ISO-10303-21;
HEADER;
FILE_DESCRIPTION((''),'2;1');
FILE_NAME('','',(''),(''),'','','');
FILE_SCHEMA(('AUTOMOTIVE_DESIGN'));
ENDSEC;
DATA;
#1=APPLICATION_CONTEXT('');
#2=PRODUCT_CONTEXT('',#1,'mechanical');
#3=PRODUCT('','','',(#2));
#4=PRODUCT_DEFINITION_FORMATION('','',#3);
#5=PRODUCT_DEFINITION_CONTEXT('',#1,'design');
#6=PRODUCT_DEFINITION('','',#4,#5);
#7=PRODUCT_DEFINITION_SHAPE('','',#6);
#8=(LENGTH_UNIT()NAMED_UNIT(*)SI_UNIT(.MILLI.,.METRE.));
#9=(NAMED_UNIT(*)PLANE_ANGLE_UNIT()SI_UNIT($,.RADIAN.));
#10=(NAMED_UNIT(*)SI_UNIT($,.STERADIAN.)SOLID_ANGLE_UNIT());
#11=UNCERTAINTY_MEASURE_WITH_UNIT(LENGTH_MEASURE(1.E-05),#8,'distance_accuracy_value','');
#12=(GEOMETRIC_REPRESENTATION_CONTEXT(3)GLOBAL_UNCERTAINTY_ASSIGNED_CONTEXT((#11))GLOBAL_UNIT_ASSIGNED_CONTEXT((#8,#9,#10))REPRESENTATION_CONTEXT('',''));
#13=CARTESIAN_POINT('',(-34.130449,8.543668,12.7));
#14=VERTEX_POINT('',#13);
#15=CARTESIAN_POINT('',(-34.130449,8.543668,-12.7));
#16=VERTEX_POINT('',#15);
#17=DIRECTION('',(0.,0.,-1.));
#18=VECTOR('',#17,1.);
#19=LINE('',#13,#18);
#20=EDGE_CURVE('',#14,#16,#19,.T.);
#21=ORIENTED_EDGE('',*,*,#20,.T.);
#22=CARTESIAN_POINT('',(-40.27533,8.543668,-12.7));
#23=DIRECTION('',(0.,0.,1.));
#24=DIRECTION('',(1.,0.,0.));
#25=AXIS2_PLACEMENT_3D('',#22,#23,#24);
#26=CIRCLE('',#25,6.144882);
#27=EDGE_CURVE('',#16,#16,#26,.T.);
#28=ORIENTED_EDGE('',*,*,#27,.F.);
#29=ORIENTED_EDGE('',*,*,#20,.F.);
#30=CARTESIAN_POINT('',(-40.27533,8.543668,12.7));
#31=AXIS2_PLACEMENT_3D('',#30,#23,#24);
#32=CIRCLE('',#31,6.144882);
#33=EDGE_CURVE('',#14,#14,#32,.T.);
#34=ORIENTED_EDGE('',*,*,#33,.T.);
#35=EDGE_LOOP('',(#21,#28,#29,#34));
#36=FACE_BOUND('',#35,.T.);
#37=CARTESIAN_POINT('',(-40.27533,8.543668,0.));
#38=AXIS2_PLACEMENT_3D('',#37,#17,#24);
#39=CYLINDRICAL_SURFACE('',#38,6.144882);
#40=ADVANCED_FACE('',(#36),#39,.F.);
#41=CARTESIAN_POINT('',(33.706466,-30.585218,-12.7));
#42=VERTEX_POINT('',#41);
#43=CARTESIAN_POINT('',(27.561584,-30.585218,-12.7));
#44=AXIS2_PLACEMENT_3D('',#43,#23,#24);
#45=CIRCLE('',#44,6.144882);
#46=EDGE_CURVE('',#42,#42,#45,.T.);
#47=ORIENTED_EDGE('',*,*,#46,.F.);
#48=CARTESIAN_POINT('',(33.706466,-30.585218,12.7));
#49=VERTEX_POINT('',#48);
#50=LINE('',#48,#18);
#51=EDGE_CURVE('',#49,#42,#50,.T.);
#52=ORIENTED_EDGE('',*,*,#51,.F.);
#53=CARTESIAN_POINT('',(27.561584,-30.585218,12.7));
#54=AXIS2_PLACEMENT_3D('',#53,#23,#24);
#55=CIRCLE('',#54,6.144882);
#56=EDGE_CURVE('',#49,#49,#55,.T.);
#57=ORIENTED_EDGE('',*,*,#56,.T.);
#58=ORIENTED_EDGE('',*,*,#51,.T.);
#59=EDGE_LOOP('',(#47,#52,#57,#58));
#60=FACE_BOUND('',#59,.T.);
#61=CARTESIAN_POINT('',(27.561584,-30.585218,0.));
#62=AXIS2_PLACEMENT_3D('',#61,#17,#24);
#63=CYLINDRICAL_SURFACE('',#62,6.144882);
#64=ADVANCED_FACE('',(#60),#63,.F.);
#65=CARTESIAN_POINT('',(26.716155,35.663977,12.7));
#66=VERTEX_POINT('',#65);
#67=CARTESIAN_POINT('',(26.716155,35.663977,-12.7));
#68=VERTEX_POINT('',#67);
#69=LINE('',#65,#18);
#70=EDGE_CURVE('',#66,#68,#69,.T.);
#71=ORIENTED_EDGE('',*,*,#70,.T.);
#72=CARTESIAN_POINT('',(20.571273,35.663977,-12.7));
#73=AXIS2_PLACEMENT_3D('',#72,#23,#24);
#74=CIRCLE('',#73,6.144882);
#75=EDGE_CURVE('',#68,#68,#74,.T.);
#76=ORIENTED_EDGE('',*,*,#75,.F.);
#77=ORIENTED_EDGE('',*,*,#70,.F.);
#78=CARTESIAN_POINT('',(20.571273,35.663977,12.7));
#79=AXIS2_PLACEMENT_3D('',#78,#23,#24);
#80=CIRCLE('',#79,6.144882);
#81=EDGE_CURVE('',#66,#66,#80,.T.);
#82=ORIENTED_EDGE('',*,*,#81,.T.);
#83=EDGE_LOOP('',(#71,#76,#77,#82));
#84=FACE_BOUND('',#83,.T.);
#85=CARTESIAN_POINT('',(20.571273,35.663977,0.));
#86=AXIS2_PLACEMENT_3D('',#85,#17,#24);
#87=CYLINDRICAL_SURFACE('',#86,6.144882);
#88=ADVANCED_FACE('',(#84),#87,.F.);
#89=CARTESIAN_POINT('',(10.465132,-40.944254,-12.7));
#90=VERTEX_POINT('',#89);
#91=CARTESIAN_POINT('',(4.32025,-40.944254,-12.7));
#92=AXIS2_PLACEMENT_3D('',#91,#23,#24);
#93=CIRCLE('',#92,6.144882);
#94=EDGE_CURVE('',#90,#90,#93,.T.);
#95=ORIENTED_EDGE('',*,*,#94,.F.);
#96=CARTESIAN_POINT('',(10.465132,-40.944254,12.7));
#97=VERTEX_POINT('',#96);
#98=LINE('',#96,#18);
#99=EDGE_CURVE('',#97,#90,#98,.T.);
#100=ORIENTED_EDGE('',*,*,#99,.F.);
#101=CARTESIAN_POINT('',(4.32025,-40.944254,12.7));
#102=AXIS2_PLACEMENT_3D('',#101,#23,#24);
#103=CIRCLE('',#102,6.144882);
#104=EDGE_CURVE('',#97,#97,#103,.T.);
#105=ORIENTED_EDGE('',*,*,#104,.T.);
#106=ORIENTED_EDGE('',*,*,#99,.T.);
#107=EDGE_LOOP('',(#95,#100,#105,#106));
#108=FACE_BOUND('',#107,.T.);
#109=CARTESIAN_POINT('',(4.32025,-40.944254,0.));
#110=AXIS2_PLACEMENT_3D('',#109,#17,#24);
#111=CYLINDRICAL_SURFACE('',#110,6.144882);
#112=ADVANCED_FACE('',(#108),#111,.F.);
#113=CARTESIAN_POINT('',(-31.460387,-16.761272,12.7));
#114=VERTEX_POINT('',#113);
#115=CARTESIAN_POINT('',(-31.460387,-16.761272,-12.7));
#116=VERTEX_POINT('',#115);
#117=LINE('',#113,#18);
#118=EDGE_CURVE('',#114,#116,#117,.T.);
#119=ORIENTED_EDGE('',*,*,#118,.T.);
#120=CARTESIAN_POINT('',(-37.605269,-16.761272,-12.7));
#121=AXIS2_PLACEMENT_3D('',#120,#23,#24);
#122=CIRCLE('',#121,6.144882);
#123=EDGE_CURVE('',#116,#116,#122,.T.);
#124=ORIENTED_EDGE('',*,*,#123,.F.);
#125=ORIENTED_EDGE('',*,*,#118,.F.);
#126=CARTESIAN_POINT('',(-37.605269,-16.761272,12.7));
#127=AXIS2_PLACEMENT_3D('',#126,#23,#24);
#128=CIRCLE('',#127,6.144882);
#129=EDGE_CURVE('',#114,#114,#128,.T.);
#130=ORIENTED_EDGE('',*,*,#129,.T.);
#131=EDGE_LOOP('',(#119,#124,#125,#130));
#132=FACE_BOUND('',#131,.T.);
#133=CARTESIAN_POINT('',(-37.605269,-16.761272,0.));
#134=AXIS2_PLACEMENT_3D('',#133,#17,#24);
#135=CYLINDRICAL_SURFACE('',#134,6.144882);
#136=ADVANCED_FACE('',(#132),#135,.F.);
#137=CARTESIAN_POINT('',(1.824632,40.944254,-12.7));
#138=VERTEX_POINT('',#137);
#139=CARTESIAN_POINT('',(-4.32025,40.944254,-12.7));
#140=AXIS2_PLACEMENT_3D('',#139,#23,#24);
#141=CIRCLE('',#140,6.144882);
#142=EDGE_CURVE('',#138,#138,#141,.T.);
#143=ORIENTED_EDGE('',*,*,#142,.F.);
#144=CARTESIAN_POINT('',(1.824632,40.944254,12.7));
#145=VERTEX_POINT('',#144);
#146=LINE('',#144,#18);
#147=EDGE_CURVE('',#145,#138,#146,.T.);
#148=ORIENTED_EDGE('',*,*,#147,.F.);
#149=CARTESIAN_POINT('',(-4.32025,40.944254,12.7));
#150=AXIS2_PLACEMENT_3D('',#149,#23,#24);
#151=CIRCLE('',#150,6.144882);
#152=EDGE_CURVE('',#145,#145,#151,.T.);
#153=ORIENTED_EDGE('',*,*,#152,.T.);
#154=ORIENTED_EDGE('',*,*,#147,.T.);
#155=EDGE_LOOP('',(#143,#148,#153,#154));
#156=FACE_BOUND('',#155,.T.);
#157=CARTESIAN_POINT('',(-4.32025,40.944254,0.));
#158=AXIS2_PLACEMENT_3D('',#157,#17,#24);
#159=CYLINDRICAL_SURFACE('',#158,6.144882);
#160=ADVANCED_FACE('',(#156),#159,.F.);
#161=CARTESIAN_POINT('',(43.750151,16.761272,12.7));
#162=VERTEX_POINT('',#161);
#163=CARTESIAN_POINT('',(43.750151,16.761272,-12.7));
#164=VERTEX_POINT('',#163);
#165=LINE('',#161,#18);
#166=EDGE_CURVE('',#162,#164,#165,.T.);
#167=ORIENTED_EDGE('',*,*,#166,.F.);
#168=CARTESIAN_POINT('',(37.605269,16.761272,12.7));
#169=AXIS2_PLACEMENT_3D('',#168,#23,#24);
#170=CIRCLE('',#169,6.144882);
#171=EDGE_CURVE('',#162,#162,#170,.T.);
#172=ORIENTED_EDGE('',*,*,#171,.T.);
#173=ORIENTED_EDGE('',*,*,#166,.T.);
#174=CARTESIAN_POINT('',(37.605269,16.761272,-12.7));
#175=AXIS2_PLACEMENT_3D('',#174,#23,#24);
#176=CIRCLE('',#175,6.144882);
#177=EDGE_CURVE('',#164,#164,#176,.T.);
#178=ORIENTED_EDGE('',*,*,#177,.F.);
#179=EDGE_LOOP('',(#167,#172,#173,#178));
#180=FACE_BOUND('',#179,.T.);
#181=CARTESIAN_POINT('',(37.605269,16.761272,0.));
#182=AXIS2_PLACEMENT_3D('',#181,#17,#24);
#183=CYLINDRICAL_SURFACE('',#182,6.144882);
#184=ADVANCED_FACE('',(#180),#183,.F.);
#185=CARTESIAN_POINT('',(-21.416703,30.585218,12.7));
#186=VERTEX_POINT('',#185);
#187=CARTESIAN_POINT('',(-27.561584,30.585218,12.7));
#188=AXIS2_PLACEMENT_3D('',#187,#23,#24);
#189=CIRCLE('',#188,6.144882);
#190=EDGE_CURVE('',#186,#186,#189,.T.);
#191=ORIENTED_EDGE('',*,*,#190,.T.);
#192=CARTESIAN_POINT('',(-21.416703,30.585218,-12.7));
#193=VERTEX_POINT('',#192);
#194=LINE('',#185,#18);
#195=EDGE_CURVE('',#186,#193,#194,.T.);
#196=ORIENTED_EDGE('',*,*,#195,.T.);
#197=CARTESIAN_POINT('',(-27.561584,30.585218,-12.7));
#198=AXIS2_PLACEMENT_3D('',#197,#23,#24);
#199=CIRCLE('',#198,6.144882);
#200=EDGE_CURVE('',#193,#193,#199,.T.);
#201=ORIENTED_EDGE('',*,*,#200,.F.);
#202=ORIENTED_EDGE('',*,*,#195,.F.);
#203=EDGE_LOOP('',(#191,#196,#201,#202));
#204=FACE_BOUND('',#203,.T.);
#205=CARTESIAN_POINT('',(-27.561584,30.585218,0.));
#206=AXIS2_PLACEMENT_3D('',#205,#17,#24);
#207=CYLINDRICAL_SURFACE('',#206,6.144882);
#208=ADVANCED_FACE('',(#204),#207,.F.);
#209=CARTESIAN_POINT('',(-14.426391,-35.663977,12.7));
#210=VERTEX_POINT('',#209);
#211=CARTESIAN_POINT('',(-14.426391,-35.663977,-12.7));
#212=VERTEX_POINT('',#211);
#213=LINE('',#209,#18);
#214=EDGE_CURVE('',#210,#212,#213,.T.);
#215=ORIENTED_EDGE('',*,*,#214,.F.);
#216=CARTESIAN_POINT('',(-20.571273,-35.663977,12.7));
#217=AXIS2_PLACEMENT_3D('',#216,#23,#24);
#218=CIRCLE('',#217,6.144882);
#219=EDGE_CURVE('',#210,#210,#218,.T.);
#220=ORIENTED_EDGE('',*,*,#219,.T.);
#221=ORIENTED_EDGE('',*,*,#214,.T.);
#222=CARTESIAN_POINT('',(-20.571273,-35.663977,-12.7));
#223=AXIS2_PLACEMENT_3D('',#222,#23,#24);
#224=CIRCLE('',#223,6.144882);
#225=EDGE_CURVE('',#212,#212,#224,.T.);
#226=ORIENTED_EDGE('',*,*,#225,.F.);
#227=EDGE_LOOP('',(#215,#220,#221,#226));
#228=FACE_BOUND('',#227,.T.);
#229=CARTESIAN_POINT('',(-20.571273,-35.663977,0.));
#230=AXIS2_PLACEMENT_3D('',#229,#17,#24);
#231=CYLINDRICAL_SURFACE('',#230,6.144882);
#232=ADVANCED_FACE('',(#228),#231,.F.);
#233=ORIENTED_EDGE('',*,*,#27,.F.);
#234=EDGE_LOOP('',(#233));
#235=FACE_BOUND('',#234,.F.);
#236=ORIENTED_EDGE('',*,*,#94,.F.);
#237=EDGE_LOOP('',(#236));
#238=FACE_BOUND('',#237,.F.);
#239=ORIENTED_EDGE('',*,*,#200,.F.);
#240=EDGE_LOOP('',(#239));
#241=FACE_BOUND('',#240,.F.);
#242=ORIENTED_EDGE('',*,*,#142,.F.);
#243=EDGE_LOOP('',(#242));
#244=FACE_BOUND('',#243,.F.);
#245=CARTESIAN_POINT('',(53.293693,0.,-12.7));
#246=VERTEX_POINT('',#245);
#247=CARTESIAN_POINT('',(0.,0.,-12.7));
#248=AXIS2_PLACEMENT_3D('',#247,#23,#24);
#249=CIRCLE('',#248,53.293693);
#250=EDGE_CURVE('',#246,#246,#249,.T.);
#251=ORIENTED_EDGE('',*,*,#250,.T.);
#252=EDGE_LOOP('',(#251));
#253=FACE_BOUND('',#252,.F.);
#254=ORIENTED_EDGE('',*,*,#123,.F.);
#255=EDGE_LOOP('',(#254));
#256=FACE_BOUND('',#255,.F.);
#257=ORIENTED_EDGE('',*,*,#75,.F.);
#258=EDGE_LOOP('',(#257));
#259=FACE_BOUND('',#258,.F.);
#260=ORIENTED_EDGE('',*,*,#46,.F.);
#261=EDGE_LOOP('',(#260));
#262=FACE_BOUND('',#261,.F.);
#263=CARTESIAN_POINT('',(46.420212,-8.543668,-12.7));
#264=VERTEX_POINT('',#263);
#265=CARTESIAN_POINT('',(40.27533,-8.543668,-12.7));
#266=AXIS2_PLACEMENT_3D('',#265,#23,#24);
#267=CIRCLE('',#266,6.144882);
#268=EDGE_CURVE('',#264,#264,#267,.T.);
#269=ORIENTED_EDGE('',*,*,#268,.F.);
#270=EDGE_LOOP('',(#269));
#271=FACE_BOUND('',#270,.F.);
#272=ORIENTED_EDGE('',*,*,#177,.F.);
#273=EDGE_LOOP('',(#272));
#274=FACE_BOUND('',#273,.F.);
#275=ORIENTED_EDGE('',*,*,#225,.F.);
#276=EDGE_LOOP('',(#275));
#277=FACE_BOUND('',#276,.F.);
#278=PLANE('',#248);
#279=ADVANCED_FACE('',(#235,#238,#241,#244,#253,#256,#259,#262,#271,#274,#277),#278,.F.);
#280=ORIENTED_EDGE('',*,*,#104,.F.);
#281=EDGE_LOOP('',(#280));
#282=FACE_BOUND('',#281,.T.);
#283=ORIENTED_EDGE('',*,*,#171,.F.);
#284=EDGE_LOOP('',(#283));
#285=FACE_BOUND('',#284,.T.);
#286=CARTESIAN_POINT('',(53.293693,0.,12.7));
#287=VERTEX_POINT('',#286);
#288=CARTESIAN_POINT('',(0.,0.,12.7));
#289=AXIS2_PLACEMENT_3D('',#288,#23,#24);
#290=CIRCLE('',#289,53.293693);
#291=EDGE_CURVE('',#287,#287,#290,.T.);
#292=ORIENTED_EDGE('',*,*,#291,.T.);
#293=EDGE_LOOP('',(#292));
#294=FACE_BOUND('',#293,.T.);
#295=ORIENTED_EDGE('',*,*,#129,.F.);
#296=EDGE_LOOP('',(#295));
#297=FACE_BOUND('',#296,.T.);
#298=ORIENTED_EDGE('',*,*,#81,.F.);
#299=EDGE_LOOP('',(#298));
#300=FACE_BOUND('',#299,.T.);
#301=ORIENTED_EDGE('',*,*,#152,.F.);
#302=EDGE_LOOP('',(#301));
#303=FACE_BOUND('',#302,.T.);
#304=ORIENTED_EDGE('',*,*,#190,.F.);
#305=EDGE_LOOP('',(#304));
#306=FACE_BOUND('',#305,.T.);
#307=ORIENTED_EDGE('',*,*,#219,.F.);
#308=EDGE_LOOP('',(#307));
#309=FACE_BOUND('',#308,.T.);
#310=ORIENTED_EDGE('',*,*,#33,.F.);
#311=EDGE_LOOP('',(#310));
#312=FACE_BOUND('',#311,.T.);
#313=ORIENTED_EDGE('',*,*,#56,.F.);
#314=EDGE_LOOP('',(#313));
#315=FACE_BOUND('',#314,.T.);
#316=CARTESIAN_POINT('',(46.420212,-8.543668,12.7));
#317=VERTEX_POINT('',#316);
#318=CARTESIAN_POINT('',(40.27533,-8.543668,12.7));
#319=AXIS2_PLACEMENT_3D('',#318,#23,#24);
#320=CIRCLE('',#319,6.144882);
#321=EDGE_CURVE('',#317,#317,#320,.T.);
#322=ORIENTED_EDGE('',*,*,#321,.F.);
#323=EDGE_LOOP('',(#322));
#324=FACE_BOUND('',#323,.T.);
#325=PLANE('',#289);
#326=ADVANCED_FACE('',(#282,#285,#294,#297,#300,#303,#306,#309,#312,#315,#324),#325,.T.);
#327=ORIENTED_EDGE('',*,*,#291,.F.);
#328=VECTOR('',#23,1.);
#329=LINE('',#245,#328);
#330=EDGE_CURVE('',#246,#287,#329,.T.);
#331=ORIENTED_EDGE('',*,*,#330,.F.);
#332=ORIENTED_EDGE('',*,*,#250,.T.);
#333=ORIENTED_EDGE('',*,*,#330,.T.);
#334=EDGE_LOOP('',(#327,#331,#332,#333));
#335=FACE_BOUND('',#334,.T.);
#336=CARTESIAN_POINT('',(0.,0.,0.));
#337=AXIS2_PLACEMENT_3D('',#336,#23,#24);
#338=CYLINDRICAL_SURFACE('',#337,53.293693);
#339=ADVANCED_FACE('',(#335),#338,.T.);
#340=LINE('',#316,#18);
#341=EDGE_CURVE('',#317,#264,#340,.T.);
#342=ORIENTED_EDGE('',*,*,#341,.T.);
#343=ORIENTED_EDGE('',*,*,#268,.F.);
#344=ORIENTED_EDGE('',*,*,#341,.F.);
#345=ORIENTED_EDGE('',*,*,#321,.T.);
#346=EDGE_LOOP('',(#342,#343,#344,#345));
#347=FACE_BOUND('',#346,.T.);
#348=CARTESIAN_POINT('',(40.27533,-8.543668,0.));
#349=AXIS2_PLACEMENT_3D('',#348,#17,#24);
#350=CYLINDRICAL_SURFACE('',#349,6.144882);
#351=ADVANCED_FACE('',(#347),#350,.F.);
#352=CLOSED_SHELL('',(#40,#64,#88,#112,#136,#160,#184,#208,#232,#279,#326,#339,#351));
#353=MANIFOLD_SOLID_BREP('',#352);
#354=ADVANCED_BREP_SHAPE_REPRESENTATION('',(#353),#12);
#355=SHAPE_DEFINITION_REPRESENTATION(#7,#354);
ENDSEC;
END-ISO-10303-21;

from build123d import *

# Parameters (mm, degrees)
F0_R     = 53.2936931822
F0_R_2   = 6.1448817816
F1_DEPTH = 12.7


with BuildPart() as f1:
    # F0 (on Top) → F1 (new body, symmetric)
    with BuildSketch(Plane.XY):
        Circle(F0_R)
        with Locations((-20.5712730928, -35.6639767333)):
            Circle(F0_R_2, mode=Mode.SUBTRACT)
        with Locations((-37.6052690899, -16.7612723194)):
            Circle(F0_R_2, mode=Mode.SUBTRACT)
        with Locations((4.3202500339, -40.944254209)):
            Circle(F0_R_2, mode=Mode.SUBTRACT)
        with Locations((27.5615844876, -30.5852182209)):
            Circle(F0_R_2, mode=Mode.SUBTRACT)
        with Locations((40.2753304508, -8.5436684258)):
            Circle(F0_R_2, mode=Mode.SUBTRACT)
        with Locations((-40.2753304508, 8.5436684258)):
            Circle(F0_R_2, mode=Mode.SUBTRACT)
        with Locations((-27.5615844876, 30.5852182209)):
            Circle(F0_R_2, mode=Mode.SUBTRACT)
        with Locations((-4.3202500339, 40.944254209)):
            Circle(F0_R_2, mode=Mode.SUBTRACT)
        with Locations((37.6052690899, 16.7612723194)):
            Circle(F0_R_2, mode=Mode.SUBTRACT)
        with Locations((20.5712730928, 35.6639767333)):
            Circle(F0_R_2, mode=Mode.SUBTRACT)
    extrude(amount=F1_DEPTH, both=True)


solid = f1.part
